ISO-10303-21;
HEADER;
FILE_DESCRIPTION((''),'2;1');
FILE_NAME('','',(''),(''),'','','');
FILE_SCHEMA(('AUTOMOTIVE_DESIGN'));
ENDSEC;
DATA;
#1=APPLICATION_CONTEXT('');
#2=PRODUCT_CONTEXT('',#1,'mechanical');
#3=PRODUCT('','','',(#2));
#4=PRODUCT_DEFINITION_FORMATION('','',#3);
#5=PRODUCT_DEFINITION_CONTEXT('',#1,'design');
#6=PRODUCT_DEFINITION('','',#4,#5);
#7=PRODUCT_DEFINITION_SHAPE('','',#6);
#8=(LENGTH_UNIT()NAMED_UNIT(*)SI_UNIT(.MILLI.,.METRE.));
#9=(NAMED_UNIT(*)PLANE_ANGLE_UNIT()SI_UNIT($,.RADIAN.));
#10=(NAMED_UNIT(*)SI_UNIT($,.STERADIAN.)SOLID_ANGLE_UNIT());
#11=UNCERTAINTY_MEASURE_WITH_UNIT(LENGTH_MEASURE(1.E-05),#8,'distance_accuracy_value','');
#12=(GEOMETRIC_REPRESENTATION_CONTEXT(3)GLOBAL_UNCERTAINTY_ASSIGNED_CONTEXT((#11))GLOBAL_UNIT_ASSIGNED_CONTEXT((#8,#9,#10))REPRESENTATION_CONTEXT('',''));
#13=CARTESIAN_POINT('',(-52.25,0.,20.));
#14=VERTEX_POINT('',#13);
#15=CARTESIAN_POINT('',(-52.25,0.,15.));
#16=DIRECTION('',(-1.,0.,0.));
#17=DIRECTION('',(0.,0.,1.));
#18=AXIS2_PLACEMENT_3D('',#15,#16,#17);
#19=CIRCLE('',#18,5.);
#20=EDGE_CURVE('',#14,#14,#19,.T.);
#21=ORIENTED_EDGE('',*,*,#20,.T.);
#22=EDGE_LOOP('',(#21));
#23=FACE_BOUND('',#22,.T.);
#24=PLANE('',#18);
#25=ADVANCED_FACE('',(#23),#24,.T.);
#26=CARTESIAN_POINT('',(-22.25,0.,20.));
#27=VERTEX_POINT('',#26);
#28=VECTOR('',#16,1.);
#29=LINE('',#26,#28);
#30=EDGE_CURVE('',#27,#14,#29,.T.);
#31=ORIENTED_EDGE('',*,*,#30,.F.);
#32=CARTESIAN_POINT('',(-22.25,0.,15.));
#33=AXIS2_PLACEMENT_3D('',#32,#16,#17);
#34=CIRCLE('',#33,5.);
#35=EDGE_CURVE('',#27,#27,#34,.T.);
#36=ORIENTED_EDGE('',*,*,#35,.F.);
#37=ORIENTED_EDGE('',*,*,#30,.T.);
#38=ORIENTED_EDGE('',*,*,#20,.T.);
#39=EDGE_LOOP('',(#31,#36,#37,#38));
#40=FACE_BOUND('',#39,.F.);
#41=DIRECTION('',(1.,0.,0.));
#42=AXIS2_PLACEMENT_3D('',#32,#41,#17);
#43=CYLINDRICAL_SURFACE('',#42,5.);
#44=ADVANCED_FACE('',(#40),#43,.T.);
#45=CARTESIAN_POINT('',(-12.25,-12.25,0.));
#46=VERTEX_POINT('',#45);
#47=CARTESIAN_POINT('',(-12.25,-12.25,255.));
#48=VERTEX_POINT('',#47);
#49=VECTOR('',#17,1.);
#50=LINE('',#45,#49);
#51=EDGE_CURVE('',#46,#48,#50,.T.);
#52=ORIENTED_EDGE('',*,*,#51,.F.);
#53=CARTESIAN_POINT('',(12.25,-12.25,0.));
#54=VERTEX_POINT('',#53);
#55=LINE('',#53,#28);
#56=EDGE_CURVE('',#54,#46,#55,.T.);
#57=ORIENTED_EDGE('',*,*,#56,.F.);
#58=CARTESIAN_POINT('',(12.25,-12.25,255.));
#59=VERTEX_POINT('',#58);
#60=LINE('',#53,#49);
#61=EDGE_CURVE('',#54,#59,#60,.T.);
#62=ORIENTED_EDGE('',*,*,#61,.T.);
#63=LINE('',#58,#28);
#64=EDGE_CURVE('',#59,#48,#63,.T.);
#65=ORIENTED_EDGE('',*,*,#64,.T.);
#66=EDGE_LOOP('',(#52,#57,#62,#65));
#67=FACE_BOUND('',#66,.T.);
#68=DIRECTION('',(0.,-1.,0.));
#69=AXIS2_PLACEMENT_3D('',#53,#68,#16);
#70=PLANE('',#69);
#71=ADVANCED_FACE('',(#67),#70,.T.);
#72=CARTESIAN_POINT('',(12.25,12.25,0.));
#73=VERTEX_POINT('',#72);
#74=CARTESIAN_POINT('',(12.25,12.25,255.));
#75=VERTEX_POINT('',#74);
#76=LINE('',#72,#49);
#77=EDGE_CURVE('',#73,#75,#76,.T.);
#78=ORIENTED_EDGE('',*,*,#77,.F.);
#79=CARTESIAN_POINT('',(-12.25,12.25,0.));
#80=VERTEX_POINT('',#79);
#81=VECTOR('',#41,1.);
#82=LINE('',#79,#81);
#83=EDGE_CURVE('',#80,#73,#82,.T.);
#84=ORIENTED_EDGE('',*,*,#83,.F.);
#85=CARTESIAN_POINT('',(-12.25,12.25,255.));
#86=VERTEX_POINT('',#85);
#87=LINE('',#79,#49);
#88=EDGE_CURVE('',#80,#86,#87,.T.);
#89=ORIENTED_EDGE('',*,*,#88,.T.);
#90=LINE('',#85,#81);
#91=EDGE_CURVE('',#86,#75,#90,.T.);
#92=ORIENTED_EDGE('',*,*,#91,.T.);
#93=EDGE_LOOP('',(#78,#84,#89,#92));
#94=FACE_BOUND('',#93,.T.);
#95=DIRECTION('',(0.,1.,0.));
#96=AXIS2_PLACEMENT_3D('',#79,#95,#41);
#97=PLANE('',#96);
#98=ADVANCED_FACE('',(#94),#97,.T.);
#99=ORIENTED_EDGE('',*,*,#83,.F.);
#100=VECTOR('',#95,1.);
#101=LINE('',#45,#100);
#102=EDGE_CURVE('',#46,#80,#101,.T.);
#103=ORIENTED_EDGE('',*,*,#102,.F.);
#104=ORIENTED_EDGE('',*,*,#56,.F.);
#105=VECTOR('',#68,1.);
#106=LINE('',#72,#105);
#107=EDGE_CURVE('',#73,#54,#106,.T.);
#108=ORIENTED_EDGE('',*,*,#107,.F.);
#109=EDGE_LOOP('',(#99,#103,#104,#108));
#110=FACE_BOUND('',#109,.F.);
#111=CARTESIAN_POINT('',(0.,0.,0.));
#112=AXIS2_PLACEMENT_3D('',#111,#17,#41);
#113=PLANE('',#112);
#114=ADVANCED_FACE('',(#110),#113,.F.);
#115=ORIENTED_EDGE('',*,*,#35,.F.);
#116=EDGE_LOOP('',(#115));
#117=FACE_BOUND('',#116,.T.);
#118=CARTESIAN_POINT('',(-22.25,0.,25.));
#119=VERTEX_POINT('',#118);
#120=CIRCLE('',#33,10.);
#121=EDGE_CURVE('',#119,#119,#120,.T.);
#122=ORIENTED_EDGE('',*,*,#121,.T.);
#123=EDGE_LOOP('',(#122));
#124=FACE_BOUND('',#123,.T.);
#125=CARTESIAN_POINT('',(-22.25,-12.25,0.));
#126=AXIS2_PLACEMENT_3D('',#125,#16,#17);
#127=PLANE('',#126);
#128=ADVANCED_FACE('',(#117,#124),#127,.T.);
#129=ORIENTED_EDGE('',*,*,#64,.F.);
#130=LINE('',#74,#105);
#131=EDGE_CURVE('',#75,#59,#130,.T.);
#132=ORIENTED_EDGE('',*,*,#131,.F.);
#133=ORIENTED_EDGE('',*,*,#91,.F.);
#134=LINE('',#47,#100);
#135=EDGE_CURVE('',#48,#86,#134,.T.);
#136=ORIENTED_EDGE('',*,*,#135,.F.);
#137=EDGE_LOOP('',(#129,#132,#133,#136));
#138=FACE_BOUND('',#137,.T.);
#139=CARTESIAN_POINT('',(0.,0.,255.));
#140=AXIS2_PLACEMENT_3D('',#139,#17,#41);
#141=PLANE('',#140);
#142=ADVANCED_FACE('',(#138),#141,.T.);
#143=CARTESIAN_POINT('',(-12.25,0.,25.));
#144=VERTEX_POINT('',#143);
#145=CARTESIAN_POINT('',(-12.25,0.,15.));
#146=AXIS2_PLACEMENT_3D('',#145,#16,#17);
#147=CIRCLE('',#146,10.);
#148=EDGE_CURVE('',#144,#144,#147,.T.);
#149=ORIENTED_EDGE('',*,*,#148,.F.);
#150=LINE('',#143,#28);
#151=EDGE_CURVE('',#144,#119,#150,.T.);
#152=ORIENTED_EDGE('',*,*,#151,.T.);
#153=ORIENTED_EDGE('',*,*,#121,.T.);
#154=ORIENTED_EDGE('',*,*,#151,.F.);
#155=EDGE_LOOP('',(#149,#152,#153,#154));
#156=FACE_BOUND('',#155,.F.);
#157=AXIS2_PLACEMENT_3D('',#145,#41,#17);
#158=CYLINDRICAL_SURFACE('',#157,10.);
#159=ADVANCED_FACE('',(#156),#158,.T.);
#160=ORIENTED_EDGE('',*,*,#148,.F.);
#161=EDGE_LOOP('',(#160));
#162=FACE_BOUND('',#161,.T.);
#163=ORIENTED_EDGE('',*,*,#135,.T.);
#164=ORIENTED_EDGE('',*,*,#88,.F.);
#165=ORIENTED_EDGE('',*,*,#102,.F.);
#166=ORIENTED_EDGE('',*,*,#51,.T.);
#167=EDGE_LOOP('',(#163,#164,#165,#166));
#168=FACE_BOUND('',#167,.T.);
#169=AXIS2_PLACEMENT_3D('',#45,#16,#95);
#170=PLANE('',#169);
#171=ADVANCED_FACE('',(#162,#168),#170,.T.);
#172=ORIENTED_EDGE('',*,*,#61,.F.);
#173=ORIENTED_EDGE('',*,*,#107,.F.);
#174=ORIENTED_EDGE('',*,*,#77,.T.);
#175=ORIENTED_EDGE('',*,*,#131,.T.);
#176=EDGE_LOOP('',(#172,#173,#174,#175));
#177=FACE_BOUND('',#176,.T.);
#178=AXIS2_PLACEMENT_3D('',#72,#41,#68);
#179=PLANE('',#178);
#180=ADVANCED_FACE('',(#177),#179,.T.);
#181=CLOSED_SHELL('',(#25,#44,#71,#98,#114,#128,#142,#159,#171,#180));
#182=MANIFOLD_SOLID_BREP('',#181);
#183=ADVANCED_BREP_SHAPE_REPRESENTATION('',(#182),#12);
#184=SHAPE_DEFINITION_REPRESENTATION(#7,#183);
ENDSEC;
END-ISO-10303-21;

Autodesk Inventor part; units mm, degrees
ref_plane "YZ Plane" through (0, 0, 0) normal (1, 0, 0) x (0, 1, 0)
ref_plane "XZ Plane" through (0, 0, 0) normal (0, 1, 0) x (-1, 0, 0)
ref_plane "XY Plane" through (0, 0, 0) normal (0, 0, 1) x (1, 0, 0)
sketch "Sketch1" plane through (0, 0, 0) normal (0, 0, 1) x (1, 0, 0)
  line L0 (-12.25, 12.25) -> (12.25, 12.25)
  line L1 (12.25, 12.25) -> (12.25, -12.25)
  line L2 (12.25, -12.25) -> (-12.25, -12.25)
  line L3 (-12.25, -12.25) -> (-12.25, 12.25)
  point P0 (0, 0)
  dimension "d17" = 24.5
  dimension "d18" = 24.5
  dimension "d19" = 12.25
  dimension "d20" = 12.25
extrude "Extrusion1" add sketch "Sketch1" along normal blind 255
sketch "Sketch4" plane through (-12.25, -12.25, 0) normal (-1, 0, 0) x (0, 0, 1)
  circle A0 centre (15, 12.25) radius 10
  point P0 (0, 12.25)
  dimension "d22" = 20
  dimension "d23" = 15
extrude "Extrusion4" add sketch "Sketch4" along normal blind 10
sketch "Sketch5" plane through (-22.25, 0, 15) normal (-1, 0, 0) x (0, 0, 1)
  circle A0 centre (0, 0) radius 5
  point P0 (-15, 0)
  dimension "d26" = 10
extrude "Extrusion5" add sketch "Sketch5" along normal blind 30
equation "\"d19\" = 0.5 * d18"
equation "\"d20\" = 0.5 * d17"
properties part number "stav"
